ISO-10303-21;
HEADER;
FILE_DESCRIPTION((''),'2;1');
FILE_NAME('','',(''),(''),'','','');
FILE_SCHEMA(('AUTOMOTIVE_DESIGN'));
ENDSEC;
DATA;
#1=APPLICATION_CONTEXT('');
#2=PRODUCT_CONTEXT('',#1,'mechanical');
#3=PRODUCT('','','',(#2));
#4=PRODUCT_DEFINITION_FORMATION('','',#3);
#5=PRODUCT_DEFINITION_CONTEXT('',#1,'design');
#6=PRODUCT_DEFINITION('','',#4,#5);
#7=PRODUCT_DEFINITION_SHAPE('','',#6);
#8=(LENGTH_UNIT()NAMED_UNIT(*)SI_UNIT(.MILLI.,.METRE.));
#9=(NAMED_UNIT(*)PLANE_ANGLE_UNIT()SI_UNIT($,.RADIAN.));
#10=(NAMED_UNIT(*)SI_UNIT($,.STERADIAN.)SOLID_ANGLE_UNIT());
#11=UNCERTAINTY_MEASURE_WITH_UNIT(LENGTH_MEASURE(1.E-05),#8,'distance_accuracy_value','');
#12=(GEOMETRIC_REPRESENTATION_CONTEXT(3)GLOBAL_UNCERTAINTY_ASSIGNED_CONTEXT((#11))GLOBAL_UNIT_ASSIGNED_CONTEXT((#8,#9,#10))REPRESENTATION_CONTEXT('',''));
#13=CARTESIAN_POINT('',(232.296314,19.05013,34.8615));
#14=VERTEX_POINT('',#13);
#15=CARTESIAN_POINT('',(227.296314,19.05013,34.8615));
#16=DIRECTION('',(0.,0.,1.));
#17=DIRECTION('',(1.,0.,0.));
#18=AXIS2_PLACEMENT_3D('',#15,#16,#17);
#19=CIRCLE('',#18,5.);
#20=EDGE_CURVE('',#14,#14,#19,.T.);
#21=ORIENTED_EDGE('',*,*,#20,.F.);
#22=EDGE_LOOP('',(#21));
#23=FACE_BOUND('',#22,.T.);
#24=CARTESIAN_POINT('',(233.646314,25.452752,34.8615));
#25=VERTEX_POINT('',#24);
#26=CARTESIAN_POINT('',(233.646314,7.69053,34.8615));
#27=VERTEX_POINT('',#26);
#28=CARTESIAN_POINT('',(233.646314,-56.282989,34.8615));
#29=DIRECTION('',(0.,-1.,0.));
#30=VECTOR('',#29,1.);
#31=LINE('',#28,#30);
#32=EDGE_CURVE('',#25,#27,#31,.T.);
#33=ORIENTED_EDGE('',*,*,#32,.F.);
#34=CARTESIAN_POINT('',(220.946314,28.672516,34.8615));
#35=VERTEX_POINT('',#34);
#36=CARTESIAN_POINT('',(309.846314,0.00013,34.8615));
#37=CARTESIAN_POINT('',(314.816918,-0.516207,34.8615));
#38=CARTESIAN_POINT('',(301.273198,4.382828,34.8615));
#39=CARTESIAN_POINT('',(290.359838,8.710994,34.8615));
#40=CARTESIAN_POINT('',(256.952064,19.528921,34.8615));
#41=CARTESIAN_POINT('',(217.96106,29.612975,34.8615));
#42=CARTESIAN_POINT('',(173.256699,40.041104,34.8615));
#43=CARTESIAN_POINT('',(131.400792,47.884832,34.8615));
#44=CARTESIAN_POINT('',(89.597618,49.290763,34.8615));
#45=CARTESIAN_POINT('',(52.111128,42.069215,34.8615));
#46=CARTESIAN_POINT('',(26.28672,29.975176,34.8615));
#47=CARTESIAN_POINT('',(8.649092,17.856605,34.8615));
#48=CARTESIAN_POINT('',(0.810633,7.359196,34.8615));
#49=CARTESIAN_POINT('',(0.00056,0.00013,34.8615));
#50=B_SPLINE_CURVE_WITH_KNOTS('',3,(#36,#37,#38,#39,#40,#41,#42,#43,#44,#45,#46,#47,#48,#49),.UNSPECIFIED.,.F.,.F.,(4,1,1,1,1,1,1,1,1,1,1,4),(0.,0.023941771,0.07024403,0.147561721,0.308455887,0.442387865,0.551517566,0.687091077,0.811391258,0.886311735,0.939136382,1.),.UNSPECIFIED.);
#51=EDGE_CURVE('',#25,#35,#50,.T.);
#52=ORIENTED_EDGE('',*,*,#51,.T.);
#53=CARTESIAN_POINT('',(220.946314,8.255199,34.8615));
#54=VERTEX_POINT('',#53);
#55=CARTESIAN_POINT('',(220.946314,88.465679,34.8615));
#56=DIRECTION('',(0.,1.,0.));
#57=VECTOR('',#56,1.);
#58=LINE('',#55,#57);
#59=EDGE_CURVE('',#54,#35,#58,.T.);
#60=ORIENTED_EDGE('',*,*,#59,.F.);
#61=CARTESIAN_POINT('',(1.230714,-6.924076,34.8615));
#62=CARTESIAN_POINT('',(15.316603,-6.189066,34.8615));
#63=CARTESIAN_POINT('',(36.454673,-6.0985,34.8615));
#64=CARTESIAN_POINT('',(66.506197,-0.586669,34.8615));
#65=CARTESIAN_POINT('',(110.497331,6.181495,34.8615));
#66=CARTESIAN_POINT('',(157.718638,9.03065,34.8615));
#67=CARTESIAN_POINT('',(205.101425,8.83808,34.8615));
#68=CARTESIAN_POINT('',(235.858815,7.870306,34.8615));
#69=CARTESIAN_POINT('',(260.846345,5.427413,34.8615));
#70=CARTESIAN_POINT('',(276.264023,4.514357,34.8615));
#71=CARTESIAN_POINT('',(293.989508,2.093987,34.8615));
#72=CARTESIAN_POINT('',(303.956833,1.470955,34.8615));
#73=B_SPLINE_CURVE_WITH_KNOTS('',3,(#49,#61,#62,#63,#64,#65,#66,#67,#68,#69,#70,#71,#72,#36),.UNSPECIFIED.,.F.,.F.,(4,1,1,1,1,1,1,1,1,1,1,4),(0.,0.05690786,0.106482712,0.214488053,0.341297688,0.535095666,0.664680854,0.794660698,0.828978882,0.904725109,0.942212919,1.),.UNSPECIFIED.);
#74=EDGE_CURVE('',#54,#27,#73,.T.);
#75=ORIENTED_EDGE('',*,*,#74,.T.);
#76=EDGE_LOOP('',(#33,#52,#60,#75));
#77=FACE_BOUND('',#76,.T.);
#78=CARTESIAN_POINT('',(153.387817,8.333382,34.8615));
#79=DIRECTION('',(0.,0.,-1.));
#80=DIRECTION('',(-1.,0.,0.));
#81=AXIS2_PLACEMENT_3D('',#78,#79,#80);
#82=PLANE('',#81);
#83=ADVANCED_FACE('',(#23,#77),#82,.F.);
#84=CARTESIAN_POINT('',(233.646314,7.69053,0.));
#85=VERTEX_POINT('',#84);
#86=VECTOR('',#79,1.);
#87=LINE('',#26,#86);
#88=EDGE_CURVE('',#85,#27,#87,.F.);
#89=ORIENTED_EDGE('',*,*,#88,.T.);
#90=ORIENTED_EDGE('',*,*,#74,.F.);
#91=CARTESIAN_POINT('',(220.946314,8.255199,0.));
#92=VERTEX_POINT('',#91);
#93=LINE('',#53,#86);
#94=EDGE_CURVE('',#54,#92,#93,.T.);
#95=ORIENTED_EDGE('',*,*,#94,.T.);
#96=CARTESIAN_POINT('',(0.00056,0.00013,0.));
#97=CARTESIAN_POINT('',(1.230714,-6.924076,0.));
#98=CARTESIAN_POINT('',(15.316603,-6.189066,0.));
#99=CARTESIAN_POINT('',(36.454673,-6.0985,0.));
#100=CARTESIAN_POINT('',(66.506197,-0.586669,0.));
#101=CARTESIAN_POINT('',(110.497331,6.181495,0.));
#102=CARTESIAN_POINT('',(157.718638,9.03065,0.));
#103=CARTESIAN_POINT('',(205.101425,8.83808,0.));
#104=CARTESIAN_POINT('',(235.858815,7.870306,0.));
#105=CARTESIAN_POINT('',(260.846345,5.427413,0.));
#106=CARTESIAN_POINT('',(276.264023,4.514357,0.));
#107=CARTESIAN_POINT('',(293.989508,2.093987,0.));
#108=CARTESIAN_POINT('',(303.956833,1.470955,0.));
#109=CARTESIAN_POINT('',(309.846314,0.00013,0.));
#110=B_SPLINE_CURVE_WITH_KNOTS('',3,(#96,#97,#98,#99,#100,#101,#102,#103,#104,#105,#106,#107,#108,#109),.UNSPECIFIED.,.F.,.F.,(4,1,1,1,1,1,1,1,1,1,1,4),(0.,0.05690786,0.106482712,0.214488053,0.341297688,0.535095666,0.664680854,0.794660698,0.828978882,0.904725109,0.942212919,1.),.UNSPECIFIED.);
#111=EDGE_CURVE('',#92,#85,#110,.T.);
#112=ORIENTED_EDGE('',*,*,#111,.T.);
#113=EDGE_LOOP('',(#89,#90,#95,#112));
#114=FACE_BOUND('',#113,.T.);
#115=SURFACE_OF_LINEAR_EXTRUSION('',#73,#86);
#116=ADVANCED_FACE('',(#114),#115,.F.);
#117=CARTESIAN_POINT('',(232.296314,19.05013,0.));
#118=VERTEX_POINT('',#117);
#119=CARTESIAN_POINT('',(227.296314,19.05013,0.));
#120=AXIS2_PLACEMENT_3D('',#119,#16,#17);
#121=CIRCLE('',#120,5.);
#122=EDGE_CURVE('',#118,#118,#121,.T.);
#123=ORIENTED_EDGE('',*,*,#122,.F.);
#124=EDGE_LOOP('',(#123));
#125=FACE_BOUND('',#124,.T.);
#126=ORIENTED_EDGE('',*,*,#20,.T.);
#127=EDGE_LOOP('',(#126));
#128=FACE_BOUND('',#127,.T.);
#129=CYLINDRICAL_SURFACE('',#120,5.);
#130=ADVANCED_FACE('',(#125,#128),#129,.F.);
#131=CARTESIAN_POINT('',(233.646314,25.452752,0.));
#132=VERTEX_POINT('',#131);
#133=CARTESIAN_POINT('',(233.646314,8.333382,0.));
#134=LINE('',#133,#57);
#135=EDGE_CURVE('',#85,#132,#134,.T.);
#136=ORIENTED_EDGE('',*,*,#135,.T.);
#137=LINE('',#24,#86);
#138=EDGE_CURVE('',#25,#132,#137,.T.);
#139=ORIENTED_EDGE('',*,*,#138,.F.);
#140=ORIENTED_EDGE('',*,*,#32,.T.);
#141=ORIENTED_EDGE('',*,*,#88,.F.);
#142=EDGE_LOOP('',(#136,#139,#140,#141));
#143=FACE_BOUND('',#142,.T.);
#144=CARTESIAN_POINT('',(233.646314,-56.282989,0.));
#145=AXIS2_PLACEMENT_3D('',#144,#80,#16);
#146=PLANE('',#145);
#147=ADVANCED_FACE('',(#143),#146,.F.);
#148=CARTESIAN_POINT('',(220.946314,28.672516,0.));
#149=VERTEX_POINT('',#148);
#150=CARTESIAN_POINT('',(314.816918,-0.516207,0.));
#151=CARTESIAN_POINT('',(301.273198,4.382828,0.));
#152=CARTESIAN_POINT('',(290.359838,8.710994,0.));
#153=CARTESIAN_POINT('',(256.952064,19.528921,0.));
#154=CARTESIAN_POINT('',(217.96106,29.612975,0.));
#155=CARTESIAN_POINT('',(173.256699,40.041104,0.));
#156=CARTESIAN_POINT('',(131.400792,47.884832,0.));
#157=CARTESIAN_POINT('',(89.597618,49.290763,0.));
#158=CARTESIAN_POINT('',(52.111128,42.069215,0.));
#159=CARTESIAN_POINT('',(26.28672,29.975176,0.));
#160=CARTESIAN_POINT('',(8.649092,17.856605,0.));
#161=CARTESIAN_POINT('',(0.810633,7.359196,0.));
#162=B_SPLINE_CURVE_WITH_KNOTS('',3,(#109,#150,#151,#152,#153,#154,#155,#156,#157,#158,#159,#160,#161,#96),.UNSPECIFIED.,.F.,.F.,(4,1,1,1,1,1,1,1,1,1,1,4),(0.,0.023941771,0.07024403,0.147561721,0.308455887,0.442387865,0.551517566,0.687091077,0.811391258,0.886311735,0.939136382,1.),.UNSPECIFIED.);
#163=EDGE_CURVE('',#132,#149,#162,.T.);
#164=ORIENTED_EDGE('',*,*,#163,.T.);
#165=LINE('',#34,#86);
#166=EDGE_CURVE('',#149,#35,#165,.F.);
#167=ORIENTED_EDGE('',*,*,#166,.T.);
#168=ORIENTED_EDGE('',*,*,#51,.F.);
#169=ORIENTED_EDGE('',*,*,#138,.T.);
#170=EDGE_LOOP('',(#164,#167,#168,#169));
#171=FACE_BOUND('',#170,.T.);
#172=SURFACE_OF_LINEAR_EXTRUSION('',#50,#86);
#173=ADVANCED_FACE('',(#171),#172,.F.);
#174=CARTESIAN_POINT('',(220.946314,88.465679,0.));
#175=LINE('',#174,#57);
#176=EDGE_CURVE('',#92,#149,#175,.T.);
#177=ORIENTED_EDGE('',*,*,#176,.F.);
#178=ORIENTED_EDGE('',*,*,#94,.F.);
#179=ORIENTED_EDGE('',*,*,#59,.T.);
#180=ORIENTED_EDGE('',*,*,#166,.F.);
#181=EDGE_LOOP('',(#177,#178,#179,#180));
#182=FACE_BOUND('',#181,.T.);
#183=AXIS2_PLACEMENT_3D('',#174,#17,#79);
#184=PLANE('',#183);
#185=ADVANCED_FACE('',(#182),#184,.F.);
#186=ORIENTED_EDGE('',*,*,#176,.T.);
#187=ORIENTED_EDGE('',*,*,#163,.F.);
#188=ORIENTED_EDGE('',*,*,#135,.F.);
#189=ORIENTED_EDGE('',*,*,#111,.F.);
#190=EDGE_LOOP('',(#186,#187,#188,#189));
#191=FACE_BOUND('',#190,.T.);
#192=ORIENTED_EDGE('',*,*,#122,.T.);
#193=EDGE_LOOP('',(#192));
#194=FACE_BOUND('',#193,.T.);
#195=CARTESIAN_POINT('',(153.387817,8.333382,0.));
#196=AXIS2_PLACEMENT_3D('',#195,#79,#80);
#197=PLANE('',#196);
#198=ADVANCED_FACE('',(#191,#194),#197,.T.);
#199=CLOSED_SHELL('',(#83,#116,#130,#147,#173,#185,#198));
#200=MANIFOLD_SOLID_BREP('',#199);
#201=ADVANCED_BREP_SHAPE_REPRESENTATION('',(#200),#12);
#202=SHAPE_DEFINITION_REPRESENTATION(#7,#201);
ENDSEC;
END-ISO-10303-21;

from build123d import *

# Parameters (mm, degrees)
BOSS_EXTRUDE1_DEPTH = 34.8615
SKETCH2_R           = 6.35
SKETCH2_R_2         = 5
SKETCH2_W           = 138.882076439
SKETCH2_H           = 152.274276667
CUT_EXTRUDE1_DEPTH  = 318.646799811
SKETCH3_W           = 293.18888876
SKETCH3_H           = 137.971241769
CUT_EXTRUDE2_DEPTH  = 242.109386719


with BuildPart() as part:
    # Sketch1 → Boss-Extrude1 (new body)
    with BuildSketch(Plane.XY):
        with BuildLine():
            add(Edge.make_bspline(
                [(0.000560351, 0.000130087), (0.810633127, 7.359196055), (8.649092025, 17.856605174), (26.286719818, 29.975176328), (52.111128271, 42.069215275), (89.597618475, 49.290763054), (131.400792109, 47.884831915), (173.256699242, 40.041104278), (217.961060472, 29.612974894), (256.952064401, 19.528920948), (290.35983767, 8.71099439), (301.273197721, 4.382828139), (314.816918223, -0.516206742), (309.846313895, 0.000130087)],
                knots=[0, 0, 0, 0, 0.060863618, 0.113688265, 0.188608742, 0.312908923, 0.448482434, 0.557612135, 0.691544113, 0.852438279, 0.92975597, 0.976058229, 1, 1, 1, 1], degree=3))
            add(Edge.make_bspline(
                [(309.846313895, 0.000130087), (303.956832565, 1.47095521), (293.989507544, 2.093987313), (276.26402299, 4.514356704), (260.846344817, 5.427413394), (235.858814759, 7.870306192), (205.101424636, 8.838080282), (157.718638092, 9.030650149), (110.497331172, 6.181495223), (66.506197185, -0.586669107), (36.454672816, -6.098499901), (15.316603331, -6.189065841), (1.230714189, -6.924076091), (0.000560351, 0.000130087)],
                knots=[0, 0, 0, 0, 0.057787081, 0.095274891, 0.171021118, 0.205339302, 0.335319146, 0.464904334, 0.658702312, 0.785511947, 0.893517288, 0.94309214, 1, 1, 1, 1], degree=3))
        make_face()
    extrude(amount=BOSS_EXTRUDE1_DEPTH)

    # Sketch2 → Cut-Extrude1 (cut, through all)
    with BuildSketch(Plane.XY.offset(34.8615)):
        with Locations((20.32, 10.16)):
            Circle(SKETCH2_R)
        with Locations((227.296313895, 19.050130087)):
            Circle(SKETCH2_R_2)
        with Locations((303.087352115, 19.854149729)):
            Rectangle(SKETCH2_W, SKETCH2_H)
    extrude(amount=-CUT_EXTRUDE1_DEPTH, mode=Mode.SUBTRACT)

    # Sketch3 → Cut-Extrude2 (cut, through all)
    with BuildSketch(Plane.XY.offset(34.8615)):
        with Locations((74.351869515, 19.480058122)):
            Rectangle(SKETCH3_W, SKETCH3_H)
    extrude(amount=-CUT_EXTRUDE2_DEPTH, mode=Mode.SUBTRACT)


solid = part.part
